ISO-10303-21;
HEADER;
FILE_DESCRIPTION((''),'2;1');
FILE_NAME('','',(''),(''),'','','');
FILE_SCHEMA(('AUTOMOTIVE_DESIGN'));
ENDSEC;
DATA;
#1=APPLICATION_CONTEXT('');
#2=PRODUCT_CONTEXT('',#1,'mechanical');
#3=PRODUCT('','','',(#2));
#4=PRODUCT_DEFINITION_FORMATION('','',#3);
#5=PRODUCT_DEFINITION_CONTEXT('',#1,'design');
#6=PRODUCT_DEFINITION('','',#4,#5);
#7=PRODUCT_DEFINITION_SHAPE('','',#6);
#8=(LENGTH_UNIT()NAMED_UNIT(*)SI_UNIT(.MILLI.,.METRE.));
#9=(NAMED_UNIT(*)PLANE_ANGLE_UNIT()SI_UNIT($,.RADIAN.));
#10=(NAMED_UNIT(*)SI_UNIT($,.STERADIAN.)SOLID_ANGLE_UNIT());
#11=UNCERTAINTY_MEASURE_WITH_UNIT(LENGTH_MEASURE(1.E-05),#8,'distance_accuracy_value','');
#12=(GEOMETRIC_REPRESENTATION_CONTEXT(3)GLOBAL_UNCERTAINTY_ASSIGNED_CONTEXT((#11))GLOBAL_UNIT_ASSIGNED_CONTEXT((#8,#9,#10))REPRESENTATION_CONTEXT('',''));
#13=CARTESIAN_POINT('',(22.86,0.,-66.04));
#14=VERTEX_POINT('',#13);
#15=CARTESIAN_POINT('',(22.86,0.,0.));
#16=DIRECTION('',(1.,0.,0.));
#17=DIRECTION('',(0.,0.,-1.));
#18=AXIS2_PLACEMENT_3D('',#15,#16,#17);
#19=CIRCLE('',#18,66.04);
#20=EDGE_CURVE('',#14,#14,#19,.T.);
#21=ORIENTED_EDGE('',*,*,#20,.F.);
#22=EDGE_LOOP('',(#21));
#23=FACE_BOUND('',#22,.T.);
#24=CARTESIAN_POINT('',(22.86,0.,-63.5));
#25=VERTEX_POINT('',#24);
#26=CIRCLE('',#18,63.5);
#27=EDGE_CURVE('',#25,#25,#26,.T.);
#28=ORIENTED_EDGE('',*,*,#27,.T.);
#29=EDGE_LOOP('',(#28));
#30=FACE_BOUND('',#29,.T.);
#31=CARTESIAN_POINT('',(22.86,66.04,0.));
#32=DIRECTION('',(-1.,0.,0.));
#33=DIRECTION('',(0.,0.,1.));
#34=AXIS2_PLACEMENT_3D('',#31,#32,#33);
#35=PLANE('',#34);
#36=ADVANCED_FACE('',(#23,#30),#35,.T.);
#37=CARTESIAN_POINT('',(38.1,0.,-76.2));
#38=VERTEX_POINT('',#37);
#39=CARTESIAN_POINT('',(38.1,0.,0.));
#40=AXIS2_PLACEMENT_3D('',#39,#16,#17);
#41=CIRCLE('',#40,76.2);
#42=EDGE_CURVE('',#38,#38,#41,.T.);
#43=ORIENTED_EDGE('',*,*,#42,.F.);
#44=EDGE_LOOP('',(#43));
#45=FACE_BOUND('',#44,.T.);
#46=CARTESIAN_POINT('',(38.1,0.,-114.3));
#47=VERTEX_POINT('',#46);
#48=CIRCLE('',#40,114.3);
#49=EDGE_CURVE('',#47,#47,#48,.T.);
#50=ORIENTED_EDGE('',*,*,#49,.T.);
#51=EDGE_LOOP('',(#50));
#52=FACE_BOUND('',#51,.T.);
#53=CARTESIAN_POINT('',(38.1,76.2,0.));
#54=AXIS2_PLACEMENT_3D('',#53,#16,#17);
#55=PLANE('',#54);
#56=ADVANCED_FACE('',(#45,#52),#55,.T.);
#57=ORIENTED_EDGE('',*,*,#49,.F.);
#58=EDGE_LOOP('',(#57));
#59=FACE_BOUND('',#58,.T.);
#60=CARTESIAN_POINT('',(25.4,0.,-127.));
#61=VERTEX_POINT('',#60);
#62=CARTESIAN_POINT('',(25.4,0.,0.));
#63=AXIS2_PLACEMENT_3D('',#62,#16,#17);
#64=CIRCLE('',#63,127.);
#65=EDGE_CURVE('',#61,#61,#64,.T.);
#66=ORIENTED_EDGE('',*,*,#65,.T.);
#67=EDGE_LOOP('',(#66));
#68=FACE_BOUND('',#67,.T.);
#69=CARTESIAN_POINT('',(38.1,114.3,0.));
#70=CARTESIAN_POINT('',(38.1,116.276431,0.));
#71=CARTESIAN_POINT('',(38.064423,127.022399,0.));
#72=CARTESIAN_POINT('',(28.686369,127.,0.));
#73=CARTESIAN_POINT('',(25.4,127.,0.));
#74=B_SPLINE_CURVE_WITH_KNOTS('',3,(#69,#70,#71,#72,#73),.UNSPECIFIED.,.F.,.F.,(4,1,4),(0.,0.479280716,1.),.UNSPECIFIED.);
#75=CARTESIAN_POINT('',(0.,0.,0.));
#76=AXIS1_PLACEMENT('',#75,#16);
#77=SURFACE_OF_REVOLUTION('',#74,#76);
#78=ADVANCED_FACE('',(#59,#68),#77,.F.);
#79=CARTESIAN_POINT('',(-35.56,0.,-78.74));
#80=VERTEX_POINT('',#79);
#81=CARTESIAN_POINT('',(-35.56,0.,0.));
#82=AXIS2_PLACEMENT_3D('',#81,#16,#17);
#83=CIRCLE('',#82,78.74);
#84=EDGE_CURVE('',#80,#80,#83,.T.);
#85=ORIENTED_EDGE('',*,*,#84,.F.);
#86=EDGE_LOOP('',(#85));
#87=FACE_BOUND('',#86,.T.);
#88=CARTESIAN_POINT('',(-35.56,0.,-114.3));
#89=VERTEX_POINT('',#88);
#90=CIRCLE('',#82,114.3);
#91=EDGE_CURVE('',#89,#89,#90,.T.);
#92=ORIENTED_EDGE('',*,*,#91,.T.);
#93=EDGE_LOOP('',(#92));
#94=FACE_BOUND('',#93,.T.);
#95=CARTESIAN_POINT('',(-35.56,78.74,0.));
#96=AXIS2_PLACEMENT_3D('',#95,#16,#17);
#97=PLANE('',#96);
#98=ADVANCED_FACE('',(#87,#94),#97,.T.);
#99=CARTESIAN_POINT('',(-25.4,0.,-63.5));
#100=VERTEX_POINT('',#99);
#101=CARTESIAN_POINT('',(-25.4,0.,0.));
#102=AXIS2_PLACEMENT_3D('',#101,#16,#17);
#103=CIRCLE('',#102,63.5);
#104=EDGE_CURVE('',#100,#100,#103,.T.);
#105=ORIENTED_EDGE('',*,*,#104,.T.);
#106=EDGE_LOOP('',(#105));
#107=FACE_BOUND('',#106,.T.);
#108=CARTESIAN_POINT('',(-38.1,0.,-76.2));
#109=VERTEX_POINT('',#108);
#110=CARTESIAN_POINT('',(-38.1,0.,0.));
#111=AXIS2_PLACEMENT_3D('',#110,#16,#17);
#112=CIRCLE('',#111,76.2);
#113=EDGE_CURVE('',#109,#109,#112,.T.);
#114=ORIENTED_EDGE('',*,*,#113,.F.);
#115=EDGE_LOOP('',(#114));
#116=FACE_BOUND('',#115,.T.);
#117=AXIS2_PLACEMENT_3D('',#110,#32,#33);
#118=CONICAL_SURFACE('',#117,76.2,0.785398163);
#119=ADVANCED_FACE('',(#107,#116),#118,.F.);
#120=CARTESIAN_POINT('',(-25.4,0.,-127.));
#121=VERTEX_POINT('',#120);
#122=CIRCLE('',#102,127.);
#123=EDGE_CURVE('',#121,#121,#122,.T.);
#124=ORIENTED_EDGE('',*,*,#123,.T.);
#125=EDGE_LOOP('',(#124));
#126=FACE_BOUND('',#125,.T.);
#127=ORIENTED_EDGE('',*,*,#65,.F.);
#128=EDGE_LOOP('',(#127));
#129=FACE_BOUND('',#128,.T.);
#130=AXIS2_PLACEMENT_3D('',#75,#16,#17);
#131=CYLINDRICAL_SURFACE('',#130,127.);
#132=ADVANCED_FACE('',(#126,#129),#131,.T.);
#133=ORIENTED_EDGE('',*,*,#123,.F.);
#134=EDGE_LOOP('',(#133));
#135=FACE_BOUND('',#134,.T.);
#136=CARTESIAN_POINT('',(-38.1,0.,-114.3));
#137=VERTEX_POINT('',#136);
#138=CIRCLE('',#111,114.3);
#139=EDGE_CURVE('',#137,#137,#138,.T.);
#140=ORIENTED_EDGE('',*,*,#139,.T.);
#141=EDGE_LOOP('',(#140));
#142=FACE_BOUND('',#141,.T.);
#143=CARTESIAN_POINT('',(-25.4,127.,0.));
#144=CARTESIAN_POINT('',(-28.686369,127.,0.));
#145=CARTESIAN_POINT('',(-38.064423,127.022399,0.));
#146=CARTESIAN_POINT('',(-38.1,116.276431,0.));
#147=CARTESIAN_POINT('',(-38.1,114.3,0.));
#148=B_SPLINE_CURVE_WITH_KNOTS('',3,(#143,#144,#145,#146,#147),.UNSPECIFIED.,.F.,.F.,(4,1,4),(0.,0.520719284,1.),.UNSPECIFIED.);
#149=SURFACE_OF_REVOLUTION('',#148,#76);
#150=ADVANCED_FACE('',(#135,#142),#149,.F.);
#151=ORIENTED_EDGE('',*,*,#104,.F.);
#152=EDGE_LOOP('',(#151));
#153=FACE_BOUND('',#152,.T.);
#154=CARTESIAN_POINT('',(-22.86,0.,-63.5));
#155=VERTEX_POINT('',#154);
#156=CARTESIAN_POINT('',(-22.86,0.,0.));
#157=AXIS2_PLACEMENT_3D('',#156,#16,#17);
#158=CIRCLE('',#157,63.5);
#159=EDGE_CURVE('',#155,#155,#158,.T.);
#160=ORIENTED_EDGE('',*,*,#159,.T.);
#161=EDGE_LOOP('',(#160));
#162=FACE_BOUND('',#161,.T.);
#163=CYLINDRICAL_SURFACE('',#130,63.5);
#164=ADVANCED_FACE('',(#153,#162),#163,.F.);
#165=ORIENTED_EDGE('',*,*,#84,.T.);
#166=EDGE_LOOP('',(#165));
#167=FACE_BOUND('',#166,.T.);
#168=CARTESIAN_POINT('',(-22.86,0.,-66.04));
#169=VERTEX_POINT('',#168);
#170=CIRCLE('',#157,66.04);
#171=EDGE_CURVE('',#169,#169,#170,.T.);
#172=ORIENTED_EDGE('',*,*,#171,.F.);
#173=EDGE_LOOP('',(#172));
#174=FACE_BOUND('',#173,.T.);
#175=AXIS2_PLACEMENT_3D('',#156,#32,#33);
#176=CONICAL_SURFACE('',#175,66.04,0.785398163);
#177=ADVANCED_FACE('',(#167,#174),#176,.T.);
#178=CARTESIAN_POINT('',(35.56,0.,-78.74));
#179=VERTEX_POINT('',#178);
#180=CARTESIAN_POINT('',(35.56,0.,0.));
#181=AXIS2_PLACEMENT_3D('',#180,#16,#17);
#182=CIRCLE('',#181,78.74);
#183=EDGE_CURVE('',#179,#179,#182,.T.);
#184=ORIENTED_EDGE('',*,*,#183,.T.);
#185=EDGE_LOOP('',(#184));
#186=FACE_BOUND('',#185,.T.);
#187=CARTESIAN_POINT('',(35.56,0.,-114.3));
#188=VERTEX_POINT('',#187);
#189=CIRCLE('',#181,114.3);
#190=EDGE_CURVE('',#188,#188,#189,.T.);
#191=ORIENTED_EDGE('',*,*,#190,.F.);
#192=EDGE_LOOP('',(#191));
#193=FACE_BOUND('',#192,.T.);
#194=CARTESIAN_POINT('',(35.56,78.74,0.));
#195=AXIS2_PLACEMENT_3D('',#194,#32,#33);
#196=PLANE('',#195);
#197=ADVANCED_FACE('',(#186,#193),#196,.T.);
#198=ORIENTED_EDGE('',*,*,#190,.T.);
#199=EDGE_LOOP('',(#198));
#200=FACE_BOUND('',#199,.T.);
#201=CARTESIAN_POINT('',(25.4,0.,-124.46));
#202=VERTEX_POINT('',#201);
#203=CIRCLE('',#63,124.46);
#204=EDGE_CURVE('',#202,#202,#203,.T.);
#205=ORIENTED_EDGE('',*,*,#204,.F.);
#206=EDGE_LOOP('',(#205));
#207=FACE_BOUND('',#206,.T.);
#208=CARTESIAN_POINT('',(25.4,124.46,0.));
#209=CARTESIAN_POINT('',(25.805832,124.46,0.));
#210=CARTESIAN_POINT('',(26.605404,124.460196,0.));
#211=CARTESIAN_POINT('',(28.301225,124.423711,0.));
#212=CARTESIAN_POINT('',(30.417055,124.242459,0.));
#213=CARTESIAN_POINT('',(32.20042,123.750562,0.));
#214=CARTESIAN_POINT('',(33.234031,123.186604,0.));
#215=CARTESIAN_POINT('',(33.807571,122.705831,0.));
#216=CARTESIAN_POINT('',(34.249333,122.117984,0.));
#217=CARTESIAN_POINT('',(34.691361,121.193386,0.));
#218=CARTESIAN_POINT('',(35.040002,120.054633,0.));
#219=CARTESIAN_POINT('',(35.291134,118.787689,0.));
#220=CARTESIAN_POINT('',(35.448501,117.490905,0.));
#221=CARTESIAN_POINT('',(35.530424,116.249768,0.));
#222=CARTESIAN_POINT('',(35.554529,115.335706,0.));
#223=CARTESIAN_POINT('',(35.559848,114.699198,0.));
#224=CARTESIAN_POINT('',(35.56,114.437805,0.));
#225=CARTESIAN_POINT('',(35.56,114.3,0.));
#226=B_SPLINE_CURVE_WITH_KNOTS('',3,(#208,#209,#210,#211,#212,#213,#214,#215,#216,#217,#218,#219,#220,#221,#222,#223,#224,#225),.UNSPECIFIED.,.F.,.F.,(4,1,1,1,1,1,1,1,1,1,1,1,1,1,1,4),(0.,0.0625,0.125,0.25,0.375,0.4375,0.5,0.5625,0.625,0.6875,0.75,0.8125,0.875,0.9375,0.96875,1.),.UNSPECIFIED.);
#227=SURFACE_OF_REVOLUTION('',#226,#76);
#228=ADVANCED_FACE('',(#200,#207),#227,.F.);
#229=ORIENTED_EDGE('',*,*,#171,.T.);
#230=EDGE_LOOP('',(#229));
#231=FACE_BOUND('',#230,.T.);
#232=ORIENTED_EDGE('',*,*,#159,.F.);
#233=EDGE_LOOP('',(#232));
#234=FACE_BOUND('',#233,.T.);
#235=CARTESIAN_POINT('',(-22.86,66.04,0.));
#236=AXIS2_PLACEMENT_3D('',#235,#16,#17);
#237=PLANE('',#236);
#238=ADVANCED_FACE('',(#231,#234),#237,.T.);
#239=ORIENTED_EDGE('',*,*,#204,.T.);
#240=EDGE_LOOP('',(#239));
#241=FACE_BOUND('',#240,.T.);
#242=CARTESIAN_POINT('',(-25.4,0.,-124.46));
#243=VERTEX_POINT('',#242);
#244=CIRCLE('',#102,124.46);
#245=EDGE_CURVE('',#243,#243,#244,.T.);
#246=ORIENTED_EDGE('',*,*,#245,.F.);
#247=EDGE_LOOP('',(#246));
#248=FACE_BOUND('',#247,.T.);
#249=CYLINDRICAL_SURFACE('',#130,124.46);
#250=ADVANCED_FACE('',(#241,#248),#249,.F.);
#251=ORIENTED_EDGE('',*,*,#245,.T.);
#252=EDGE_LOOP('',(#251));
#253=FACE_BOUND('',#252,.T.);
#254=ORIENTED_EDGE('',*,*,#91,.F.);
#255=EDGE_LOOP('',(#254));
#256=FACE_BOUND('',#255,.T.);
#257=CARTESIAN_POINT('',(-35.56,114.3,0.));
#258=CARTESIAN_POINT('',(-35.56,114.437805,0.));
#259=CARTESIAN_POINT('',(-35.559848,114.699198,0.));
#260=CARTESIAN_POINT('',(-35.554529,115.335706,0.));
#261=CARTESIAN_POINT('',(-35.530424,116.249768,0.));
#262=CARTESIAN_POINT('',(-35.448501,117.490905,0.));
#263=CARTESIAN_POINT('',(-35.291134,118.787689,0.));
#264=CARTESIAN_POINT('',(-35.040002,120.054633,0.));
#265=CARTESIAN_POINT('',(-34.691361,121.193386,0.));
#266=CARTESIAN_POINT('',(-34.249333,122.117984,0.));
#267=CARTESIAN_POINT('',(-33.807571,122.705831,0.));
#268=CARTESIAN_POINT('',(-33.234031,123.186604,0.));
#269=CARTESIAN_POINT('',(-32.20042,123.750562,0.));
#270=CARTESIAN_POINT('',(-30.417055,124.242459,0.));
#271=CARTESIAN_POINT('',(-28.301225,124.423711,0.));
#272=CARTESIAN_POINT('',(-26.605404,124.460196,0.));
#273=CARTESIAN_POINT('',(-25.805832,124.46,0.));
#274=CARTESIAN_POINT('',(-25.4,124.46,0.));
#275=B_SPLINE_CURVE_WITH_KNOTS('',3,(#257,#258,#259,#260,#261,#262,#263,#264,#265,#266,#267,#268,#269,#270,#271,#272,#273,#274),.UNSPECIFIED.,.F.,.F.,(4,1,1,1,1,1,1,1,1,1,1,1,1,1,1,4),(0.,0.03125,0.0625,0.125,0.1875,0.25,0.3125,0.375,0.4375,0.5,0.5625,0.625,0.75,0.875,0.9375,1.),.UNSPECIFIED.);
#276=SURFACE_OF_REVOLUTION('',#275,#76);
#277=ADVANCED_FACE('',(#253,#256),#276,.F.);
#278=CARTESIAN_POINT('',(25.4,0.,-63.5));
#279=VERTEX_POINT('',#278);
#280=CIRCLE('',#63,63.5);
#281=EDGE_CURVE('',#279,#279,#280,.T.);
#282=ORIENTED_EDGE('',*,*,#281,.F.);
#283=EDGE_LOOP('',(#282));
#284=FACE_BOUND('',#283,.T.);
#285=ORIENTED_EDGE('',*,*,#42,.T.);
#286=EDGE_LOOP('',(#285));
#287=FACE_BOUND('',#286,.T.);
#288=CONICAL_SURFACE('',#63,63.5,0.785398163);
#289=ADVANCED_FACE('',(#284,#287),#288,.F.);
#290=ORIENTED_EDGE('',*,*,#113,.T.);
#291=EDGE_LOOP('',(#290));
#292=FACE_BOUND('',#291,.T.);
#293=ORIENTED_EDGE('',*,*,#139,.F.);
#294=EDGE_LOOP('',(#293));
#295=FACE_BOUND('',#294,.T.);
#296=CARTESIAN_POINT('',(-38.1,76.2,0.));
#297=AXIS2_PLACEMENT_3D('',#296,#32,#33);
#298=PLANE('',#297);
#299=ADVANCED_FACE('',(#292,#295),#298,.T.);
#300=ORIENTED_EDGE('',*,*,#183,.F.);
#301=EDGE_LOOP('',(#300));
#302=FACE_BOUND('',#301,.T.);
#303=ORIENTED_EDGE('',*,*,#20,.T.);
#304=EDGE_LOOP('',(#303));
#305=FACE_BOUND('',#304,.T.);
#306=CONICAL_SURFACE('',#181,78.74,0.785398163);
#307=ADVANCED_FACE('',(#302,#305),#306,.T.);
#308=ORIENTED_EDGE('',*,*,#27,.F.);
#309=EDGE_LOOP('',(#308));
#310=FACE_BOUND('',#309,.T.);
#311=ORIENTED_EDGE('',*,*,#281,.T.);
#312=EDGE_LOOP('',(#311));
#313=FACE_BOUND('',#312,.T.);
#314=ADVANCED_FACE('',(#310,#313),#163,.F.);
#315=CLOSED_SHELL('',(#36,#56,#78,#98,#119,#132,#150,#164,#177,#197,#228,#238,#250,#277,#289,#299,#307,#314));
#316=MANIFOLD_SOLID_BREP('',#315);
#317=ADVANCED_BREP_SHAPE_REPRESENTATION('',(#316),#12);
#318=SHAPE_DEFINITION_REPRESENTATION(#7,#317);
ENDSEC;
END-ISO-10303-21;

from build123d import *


with BuildPart() as part:
    # Sketch2 → Revolve4 (revolve)
    with BuildSketch(Plane.XY):
        with BuildLine():
            Line((-25.4, 127), (25.4, 127))
            add(Edge.make_bspline(
                [(38.1, 114.3), (38.1, 116.276431222), (38.064423316, 127.022398823), (28.686368964, 127), (25.4, 127)],
                knots=[0, 0, 0, 0, 0.479280716, 1, 1, 1, 1], degree=3))
            Line((38.1, 114.3), (38.1, 76.2))
            Line((38.1, 76.2), (25.4, 63.5))
            Line((25.4, 63.5), (22.86, 63.5))
            Line((22.86, 63.5), (22.86, 66.04))
            Line((22.86, 66.04), (35.56, 78.74))
            Line((35.56, 78.74), (35.56, 114.3))
            add(Edge.make_bspline(
                [(35.56, 114.3), (35.56, 114.437804617), (35.559848134, 114.69919797), (35.554529075, 115.335705853), (35.530423845, 116.249768154), (35.448501321, 117.490904626), (35.291134285, 118.78768894), (35.040001719, 120.054632818), (34.691360923, 121.193385659), (34.249332566, 122.117984468), (33.807571329, 122.705830521), (33.23403142, 123.186604386), (32.200420459, 123.75056219), (30.417055007, 124.242459368), (28.301224859, 124.423710764), (26.605403529, 124.46019646), (25.805832113, 124.46), (25.4, 124.46)],
                knots=[0, 0, 0, 0, 0.03125, 0.0625, 0.125, 0.1875, 0.25, 0.3125, 0.375, 0.4375, 0.5, 0.5625, 0.625, 0.75, 0.875, 0.9375, 1, 1, 1, 1], degree=3))
            Line((25.4, 124.46), (-25.4, 124.46))
            add(Edge.make_bspline(
                [(-35.56, 114.3), (-35.56, 114.437804617), (-35.559848134, 114.69919797), (-35.554529075, 115.335705853), (-35.530423845, 116.249768154), (-35.448501321, 117.490904626), (-35.291134285, 118.78768894), (-35.040001719, 120.054632818), (-34.691360923, 121.193385659), (-34.249332566, 122.117984468), (-33.807571329, 122.705830521), (-33.23403142, 123.186604386), (-32.200420459, 123.75056219), (-30.417055007, 124.242459368), (-28.301224859, 124.423710764), (-26.605403529, 124.46019646), (-25.805832113, 124.46), (-25.4, 124.46)],
                knots=[0, 0, 0, 0, 0.03125, 0.0625, 0.125, 0.1875, 0.25, 0.3125, 0.375, 0.4375, 0.5, 0.5625, 0.625, 0.75, 0.875, 0.9375, 1, 1, 1, 1], degree=3))
            Line((-35.56, 114.3), (-35.56, 78.74))
            Line((-35.56, 78.74), (-22.86, 66.04))
            Line((-22.86, 66.04), (-22.86, 63.5))
            Line((-22.86, 63.5), (-25.4, 63.5))
            Line((-25.4, 63.5), (-38.1, 76.2))
            Line((-38.1, 76.2), (-38.1, 114.3))
            add(Edge.make_bspline(
                [(-38.1, 114.3), (-38.1, 116.276431222), (-38.064423316, 127.022398823), (-28.686368964, 127), (-25.4, 127)],
                knots=[0, 0, 0, 0, 0.479280716, 1, 1, 1, 1], degree=3))
        make_face()
    revolve(axis=Axis((0, 0, 0), (-1, 0, 0)))


solid = part.part
